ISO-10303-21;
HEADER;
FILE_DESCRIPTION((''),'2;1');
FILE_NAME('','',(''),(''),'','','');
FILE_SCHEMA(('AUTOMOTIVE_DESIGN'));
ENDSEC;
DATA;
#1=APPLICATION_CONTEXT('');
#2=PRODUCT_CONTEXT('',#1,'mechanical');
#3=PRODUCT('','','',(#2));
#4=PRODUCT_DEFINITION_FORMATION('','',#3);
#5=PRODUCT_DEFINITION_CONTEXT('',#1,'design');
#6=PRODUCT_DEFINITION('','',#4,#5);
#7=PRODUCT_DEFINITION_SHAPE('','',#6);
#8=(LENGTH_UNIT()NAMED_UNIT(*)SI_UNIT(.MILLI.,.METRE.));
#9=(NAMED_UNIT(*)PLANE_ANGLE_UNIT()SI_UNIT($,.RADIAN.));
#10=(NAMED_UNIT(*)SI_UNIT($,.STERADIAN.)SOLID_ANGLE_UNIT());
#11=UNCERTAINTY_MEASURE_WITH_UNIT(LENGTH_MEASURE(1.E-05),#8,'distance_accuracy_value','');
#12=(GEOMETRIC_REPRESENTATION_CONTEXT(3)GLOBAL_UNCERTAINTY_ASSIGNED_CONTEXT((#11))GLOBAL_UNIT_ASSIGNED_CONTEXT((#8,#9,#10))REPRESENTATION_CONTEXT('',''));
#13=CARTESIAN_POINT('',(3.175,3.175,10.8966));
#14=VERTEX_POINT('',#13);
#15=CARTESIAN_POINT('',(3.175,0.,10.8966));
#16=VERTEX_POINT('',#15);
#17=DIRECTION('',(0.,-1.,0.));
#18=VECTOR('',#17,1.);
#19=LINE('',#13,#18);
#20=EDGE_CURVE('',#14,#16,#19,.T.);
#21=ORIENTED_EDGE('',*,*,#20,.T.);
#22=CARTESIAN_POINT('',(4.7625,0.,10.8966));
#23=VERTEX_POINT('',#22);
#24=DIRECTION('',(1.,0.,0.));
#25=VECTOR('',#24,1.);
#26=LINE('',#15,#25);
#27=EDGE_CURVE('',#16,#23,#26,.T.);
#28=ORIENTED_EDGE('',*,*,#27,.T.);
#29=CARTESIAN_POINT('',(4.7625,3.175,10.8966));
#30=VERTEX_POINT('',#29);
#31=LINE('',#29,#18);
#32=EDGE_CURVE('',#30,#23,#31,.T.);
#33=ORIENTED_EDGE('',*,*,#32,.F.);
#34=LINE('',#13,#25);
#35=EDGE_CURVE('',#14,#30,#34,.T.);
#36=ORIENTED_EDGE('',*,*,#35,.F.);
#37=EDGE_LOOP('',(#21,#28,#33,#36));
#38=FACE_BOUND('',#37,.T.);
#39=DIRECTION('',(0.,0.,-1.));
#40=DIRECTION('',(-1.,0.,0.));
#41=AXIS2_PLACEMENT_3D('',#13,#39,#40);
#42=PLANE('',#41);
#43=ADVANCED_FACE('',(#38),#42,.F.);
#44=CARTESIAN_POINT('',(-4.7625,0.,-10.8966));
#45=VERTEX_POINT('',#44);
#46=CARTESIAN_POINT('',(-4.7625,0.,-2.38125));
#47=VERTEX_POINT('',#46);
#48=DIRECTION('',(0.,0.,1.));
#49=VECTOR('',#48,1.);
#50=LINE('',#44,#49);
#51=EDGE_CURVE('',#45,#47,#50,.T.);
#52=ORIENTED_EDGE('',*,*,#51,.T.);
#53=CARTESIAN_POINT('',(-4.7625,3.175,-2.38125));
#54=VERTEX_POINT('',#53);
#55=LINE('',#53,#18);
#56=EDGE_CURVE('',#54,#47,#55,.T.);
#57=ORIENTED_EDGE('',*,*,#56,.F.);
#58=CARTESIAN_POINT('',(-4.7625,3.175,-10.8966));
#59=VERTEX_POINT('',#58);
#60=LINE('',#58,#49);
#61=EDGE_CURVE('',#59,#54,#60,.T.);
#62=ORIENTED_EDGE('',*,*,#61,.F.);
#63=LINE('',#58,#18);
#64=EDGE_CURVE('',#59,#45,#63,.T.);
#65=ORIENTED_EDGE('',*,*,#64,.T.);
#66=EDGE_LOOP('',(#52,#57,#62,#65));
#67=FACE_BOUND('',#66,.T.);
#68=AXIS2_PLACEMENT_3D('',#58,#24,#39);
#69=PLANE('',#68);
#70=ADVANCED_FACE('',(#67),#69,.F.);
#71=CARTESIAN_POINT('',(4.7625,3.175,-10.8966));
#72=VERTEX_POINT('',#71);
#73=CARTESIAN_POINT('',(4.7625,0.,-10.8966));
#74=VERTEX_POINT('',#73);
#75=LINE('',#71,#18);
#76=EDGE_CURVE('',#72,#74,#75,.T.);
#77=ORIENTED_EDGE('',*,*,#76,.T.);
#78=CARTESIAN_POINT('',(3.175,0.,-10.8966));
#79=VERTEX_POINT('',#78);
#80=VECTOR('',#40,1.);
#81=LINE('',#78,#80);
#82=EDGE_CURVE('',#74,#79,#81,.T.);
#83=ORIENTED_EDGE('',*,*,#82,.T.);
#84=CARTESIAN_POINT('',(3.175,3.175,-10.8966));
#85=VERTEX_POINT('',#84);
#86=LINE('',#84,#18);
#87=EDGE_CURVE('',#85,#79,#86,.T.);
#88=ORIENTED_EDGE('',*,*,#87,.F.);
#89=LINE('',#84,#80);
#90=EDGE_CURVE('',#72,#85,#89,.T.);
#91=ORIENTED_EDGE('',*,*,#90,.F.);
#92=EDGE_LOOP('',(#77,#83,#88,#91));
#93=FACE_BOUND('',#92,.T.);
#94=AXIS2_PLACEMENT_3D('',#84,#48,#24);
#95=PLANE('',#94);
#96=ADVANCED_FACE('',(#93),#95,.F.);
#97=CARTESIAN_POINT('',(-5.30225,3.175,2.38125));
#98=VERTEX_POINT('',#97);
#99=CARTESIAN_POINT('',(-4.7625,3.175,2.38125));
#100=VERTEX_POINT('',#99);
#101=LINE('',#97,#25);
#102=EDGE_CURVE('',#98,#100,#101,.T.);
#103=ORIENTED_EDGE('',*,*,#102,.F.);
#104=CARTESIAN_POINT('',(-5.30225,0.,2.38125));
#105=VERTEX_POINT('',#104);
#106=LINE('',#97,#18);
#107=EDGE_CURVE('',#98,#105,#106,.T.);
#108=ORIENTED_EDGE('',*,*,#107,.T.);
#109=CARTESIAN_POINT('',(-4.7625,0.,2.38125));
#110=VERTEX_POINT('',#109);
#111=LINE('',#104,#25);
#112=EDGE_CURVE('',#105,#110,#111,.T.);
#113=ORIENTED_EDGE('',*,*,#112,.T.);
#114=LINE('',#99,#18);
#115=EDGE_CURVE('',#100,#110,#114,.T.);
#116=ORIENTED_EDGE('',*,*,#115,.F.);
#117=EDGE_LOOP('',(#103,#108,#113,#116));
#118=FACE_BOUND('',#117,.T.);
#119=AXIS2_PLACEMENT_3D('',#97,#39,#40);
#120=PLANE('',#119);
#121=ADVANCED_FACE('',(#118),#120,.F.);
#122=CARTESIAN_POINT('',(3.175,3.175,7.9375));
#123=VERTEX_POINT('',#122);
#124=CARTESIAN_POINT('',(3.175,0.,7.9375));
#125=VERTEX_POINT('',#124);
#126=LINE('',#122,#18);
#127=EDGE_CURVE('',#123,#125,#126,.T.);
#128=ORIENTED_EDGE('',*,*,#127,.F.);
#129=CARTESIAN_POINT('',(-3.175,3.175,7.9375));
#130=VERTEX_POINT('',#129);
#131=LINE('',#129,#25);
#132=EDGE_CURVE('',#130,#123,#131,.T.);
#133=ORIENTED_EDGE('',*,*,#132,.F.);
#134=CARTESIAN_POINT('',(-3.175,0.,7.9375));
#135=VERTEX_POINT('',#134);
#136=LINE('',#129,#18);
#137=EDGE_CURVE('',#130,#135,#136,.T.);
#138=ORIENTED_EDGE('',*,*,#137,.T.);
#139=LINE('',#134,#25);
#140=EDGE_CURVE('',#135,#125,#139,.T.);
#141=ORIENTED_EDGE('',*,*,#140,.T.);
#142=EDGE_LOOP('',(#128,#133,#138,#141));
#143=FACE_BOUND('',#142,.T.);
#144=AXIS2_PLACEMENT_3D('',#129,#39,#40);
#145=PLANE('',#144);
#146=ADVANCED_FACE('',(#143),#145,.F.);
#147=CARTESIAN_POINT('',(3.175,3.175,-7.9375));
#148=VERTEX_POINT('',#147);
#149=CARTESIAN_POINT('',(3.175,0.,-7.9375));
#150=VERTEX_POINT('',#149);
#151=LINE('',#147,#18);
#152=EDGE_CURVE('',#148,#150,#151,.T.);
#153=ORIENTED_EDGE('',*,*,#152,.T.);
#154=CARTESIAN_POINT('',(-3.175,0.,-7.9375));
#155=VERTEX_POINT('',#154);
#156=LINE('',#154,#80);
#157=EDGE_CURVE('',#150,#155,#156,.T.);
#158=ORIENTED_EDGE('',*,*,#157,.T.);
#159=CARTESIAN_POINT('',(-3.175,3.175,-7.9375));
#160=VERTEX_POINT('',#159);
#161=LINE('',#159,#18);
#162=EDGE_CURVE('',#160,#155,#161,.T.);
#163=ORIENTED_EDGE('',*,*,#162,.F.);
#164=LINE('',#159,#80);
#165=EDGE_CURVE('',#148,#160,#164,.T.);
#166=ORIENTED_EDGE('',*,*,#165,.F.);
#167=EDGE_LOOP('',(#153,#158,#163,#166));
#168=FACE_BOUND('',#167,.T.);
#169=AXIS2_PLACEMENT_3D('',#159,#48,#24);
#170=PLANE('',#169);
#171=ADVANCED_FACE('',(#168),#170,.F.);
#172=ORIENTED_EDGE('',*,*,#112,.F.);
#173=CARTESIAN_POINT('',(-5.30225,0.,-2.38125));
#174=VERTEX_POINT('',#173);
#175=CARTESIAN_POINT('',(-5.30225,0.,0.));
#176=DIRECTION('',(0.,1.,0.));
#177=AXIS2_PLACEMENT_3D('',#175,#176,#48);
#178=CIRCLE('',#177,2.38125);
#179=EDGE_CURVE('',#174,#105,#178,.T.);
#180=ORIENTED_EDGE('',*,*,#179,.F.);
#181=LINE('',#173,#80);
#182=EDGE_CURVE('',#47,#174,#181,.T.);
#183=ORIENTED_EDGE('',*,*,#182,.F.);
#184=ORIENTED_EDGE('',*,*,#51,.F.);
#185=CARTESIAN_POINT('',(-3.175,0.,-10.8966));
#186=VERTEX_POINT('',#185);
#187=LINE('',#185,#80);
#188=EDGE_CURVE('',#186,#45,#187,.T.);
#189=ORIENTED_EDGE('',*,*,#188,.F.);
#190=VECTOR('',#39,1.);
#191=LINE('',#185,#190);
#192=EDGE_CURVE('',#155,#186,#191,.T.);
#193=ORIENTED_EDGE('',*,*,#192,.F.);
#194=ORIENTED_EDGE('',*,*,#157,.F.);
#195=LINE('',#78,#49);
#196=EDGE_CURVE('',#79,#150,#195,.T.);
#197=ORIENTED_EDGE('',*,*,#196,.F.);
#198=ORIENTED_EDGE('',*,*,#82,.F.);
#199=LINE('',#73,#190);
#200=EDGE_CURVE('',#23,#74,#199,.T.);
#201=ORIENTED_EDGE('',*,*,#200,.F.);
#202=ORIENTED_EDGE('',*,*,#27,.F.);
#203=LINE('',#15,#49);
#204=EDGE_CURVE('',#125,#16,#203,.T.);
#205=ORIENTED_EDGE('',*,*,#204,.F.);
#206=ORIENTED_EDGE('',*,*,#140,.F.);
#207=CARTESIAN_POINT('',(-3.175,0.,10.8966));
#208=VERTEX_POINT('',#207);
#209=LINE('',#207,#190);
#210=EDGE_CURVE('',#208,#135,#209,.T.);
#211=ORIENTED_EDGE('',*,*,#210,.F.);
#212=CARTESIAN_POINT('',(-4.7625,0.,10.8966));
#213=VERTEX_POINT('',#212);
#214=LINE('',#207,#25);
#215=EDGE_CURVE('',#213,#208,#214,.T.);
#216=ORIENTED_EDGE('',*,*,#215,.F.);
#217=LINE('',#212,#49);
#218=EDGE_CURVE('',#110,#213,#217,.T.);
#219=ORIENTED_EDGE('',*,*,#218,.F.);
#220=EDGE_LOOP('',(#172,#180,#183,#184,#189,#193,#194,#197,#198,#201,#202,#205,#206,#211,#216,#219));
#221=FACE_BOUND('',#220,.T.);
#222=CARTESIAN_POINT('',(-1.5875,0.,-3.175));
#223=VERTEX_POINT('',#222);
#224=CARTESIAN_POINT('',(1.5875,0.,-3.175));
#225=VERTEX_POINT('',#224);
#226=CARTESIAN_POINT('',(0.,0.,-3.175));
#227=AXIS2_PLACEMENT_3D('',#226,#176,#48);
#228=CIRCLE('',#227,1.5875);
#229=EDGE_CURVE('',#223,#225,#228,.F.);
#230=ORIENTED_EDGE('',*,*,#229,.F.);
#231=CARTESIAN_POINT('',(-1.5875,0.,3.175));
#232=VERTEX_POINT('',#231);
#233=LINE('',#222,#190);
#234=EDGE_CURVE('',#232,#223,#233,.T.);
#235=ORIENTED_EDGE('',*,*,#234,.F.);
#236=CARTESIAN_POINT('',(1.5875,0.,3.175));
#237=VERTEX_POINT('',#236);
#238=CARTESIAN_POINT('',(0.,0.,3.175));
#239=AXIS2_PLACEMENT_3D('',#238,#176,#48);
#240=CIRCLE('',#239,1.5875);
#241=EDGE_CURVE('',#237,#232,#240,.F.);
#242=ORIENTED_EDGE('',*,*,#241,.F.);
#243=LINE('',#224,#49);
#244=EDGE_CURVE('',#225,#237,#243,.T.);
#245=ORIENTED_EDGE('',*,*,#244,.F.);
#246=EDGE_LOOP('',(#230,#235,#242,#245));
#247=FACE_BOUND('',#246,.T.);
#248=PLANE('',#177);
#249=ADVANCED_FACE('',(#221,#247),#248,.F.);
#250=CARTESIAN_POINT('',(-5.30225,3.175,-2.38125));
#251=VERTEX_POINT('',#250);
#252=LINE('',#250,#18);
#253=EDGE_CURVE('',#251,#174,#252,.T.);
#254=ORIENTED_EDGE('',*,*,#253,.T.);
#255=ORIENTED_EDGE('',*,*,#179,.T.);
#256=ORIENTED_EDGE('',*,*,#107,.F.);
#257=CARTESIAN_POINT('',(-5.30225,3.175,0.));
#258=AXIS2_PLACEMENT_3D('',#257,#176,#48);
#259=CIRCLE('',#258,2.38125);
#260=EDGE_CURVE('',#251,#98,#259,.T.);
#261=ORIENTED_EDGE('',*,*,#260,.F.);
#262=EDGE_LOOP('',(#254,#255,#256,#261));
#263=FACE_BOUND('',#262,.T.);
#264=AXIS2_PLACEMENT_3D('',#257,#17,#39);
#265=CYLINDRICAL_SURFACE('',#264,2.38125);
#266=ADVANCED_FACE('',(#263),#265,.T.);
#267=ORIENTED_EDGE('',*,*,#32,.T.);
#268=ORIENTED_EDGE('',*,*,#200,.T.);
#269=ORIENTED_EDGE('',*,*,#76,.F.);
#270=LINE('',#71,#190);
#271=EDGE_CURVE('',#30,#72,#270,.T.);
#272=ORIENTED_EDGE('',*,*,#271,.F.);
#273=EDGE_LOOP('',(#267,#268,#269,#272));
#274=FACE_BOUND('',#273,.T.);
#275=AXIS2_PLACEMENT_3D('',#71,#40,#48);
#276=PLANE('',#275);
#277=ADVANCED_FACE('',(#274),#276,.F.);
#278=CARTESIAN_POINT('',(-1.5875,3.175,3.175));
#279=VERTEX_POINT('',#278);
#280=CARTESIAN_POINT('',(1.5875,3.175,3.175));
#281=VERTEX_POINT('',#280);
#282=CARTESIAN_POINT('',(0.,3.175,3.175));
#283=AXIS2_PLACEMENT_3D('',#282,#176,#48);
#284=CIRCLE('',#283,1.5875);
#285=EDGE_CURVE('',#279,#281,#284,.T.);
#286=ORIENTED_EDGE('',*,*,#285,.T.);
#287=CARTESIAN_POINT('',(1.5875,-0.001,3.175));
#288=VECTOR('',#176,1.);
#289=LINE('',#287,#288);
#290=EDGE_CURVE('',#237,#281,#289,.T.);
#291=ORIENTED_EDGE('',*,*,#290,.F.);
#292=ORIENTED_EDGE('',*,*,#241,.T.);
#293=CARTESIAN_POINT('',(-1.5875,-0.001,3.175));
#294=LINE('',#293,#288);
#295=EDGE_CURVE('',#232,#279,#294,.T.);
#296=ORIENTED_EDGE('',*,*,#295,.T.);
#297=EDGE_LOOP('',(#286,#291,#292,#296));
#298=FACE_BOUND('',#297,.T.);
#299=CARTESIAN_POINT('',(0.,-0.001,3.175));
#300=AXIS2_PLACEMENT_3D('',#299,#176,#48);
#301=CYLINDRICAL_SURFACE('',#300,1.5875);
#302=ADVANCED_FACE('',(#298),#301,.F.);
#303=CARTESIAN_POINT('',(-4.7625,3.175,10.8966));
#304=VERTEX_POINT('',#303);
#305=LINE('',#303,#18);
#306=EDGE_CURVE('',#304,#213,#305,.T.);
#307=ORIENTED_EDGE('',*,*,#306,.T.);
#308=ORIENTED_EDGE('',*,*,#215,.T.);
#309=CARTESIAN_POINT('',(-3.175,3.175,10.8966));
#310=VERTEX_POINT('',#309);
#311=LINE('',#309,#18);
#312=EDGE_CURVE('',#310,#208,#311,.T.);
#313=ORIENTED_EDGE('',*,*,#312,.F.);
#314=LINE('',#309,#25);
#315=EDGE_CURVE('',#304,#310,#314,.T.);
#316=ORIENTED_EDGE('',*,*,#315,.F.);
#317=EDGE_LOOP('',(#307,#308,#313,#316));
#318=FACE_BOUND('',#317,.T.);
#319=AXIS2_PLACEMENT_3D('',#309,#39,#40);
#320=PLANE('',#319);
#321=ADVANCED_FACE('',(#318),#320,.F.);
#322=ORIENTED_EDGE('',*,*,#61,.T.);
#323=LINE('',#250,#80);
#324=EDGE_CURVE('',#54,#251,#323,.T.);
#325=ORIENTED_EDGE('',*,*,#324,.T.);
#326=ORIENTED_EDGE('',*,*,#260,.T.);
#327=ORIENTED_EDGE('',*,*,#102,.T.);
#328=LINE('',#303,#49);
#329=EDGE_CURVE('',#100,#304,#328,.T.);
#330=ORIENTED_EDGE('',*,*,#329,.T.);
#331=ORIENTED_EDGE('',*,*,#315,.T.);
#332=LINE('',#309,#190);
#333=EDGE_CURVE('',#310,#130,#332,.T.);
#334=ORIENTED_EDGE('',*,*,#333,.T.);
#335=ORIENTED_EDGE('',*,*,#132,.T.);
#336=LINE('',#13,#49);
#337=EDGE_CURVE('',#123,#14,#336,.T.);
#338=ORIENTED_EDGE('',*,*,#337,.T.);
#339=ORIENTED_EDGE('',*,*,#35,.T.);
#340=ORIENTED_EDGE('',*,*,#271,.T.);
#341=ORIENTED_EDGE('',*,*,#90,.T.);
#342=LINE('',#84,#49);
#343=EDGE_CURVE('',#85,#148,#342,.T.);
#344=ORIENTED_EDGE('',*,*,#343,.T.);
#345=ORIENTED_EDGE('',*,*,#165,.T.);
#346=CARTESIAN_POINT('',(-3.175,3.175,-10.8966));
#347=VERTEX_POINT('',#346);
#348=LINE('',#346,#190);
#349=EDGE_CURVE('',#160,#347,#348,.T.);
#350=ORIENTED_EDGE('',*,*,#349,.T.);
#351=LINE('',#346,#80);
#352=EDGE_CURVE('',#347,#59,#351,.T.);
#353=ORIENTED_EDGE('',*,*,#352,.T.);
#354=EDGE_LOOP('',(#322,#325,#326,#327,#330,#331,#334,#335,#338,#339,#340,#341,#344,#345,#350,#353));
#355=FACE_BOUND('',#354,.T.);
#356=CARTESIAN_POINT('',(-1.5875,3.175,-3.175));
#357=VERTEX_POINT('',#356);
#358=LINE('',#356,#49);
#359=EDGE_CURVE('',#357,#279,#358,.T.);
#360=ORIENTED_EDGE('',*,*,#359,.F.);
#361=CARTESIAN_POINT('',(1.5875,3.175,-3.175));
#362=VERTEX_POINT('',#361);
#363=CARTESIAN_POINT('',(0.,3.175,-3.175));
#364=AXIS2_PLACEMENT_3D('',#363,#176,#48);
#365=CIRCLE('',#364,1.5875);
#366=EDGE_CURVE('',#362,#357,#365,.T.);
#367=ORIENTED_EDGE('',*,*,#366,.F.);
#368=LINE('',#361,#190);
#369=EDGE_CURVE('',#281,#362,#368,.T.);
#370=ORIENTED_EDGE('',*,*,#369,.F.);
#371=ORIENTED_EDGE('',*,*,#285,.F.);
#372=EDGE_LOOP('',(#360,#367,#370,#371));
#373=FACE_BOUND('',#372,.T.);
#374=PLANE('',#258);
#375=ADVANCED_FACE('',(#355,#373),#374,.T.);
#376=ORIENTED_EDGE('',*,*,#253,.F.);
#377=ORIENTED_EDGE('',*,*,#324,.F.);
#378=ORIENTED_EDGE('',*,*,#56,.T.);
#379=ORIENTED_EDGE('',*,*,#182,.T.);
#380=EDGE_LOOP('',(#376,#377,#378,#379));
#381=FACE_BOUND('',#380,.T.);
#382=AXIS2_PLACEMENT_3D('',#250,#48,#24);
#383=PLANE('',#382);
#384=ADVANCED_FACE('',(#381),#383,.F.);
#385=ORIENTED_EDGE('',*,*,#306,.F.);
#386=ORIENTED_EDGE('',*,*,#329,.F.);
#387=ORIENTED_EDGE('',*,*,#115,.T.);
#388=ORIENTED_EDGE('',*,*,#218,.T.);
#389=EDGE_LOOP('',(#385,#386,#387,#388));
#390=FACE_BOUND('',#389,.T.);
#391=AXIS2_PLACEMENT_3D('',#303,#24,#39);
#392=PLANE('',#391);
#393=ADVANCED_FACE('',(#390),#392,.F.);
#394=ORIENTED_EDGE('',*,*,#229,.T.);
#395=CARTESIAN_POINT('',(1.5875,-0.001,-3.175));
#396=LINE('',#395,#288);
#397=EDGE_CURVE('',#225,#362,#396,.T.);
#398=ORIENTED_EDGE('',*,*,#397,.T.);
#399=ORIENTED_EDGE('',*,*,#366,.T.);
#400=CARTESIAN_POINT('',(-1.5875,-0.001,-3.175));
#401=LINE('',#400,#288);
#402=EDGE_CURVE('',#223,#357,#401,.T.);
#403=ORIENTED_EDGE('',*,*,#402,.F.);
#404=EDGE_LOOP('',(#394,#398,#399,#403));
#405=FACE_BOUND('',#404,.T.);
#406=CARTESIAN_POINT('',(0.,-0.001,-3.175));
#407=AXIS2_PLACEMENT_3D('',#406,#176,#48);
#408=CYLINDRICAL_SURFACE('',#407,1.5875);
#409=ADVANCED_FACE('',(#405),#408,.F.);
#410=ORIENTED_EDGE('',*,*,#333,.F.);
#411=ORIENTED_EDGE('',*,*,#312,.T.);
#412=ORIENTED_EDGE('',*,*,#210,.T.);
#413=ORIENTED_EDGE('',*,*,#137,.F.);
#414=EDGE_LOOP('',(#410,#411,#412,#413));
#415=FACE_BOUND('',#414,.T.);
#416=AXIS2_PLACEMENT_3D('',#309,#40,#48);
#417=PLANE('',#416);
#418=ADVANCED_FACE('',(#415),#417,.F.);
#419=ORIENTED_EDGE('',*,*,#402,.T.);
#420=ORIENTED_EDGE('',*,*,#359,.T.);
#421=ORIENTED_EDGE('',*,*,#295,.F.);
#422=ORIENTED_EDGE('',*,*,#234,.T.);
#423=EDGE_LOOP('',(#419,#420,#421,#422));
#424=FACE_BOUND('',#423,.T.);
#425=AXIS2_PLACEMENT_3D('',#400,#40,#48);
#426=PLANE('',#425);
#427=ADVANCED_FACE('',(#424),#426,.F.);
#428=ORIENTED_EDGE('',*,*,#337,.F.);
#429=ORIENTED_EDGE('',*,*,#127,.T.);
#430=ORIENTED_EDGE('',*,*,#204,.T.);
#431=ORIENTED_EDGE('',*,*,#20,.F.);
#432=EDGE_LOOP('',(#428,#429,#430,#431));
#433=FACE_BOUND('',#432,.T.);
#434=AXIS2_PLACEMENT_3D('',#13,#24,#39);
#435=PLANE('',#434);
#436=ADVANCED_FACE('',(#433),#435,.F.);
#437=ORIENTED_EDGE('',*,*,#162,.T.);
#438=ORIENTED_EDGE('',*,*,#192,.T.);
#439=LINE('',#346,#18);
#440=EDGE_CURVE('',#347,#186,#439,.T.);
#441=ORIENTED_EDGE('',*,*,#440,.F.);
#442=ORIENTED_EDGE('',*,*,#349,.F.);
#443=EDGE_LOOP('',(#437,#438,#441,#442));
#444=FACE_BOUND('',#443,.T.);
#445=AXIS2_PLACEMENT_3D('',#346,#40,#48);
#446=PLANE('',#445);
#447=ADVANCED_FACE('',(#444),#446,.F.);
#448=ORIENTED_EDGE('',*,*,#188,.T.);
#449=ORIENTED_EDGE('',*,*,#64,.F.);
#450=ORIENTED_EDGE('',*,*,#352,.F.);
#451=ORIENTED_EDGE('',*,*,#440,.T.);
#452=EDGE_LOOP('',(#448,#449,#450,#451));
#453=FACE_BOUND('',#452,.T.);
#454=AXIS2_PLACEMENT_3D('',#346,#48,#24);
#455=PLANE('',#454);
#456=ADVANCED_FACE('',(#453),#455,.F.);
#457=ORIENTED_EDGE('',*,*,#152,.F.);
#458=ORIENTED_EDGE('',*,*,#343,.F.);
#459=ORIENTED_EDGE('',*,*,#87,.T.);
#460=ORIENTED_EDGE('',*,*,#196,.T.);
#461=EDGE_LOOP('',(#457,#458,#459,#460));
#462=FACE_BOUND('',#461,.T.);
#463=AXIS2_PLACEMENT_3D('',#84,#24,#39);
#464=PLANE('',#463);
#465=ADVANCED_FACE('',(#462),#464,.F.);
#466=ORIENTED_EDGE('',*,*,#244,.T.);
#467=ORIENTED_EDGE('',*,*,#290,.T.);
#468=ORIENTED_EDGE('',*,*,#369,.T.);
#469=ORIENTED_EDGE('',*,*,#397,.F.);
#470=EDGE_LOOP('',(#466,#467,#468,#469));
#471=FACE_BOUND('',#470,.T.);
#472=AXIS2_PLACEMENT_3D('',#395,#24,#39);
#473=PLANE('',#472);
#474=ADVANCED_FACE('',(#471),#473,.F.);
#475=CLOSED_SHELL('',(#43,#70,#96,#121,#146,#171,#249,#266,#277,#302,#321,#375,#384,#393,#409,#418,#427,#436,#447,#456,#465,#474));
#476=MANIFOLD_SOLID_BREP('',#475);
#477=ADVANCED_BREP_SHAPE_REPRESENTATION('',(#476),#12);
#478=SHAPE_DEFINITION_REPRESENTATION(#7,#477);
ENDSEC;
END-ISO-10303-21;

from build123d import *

# Parameters (mm, degrees)
BOSS_EXTRUDE1_DEPTH = 3.175
CUT_EXTRUDE1_REACH  = 5.175


with BuildPart() as part:
    # Sketch2 → Boss-Extrude1 (new body)
    with BuildSketch(Plane(origin=(0, 0, 0), x_dir=(1, 0, 0), z_dir=(0, 1, 0))):
        with BuildLine():
            Line((-3.175, 10.8966), (-3.175, 7.9375))
            Line((-3.175, 7.9375), (3.175, 7.9375))
            Line((3.175, 7.9375), (3.175, 10.8966))
            Line((3.175, 10.8966), (4.7625, 10.8966))
            Line((4.7625, 10.8966), (4.7625, -10.8966))
            Line((4.7625, -10.8966), (3.175, -10.8966))
            Line((3.175, -10.8966), (3.175, -7.9375))
            Line((3.175, -7.9375), (-3.175, -7.9375))
            Line((-3.175, -7.9375), (-3.175, -10.8966))
            Line((-3.175, -10.8966), (-4.7625, -10.8966))
            Line((-4.7625, -10.8966), (-4.7625, -2.38125))
            Line((-4.7625, -2.38125), (-5.30225, -2.38125))
            ThreePointArc((-5.30225, -2.38125), (-7.6835, 0), (-5.30225, 2.38125))
            Line((-5.30225, 2.38125), (-4.7625, 2.38125))
            Line((-4.7625, 2.38125), (-4.7625, 10.8966))
            Line((-4.7625, 10.8966), (-3.175, 10.8966))
        make_face()
    extrude(amount=BOSS_EXTRUDE1_DEPTH)

    # Sketch3 → Cut-Extrude1 (cut, up to next)
    with BuildSketch(Plane(origin=(0, 3.175, 0), x_dir=(1, 0, 0), z_dir=(0, 1, 0)), mode=Mode.PRIVATE) as cut_extrude1_sk1:
        with BuildLine():
            Line((1.5875, 3.175), (1.5875, -3.175))
            ThreePointArc((1.5875, -3.175), (0, -4.7625), (-1.5875, -3.175))
            Line((-1.5875, -3.175), (-1.5875, 3.175))
            ThreePointArc((-1.5875, 3.175), (0, 4.7625), (1.5875, 3.175))
        make_face()
    cut_extrude1_tool1 = extrude(cut_extrude1_sk1.sketch, amount=-CUT_EXTRUDE1_REACH, mode=Mode.PRIVATE) & part.part
    add(cut_extrude1_tool1.solids().sort_by_distance((0, 3.175, 0))[0], mode=Mode.SUBTRACT)


solid = part.part
